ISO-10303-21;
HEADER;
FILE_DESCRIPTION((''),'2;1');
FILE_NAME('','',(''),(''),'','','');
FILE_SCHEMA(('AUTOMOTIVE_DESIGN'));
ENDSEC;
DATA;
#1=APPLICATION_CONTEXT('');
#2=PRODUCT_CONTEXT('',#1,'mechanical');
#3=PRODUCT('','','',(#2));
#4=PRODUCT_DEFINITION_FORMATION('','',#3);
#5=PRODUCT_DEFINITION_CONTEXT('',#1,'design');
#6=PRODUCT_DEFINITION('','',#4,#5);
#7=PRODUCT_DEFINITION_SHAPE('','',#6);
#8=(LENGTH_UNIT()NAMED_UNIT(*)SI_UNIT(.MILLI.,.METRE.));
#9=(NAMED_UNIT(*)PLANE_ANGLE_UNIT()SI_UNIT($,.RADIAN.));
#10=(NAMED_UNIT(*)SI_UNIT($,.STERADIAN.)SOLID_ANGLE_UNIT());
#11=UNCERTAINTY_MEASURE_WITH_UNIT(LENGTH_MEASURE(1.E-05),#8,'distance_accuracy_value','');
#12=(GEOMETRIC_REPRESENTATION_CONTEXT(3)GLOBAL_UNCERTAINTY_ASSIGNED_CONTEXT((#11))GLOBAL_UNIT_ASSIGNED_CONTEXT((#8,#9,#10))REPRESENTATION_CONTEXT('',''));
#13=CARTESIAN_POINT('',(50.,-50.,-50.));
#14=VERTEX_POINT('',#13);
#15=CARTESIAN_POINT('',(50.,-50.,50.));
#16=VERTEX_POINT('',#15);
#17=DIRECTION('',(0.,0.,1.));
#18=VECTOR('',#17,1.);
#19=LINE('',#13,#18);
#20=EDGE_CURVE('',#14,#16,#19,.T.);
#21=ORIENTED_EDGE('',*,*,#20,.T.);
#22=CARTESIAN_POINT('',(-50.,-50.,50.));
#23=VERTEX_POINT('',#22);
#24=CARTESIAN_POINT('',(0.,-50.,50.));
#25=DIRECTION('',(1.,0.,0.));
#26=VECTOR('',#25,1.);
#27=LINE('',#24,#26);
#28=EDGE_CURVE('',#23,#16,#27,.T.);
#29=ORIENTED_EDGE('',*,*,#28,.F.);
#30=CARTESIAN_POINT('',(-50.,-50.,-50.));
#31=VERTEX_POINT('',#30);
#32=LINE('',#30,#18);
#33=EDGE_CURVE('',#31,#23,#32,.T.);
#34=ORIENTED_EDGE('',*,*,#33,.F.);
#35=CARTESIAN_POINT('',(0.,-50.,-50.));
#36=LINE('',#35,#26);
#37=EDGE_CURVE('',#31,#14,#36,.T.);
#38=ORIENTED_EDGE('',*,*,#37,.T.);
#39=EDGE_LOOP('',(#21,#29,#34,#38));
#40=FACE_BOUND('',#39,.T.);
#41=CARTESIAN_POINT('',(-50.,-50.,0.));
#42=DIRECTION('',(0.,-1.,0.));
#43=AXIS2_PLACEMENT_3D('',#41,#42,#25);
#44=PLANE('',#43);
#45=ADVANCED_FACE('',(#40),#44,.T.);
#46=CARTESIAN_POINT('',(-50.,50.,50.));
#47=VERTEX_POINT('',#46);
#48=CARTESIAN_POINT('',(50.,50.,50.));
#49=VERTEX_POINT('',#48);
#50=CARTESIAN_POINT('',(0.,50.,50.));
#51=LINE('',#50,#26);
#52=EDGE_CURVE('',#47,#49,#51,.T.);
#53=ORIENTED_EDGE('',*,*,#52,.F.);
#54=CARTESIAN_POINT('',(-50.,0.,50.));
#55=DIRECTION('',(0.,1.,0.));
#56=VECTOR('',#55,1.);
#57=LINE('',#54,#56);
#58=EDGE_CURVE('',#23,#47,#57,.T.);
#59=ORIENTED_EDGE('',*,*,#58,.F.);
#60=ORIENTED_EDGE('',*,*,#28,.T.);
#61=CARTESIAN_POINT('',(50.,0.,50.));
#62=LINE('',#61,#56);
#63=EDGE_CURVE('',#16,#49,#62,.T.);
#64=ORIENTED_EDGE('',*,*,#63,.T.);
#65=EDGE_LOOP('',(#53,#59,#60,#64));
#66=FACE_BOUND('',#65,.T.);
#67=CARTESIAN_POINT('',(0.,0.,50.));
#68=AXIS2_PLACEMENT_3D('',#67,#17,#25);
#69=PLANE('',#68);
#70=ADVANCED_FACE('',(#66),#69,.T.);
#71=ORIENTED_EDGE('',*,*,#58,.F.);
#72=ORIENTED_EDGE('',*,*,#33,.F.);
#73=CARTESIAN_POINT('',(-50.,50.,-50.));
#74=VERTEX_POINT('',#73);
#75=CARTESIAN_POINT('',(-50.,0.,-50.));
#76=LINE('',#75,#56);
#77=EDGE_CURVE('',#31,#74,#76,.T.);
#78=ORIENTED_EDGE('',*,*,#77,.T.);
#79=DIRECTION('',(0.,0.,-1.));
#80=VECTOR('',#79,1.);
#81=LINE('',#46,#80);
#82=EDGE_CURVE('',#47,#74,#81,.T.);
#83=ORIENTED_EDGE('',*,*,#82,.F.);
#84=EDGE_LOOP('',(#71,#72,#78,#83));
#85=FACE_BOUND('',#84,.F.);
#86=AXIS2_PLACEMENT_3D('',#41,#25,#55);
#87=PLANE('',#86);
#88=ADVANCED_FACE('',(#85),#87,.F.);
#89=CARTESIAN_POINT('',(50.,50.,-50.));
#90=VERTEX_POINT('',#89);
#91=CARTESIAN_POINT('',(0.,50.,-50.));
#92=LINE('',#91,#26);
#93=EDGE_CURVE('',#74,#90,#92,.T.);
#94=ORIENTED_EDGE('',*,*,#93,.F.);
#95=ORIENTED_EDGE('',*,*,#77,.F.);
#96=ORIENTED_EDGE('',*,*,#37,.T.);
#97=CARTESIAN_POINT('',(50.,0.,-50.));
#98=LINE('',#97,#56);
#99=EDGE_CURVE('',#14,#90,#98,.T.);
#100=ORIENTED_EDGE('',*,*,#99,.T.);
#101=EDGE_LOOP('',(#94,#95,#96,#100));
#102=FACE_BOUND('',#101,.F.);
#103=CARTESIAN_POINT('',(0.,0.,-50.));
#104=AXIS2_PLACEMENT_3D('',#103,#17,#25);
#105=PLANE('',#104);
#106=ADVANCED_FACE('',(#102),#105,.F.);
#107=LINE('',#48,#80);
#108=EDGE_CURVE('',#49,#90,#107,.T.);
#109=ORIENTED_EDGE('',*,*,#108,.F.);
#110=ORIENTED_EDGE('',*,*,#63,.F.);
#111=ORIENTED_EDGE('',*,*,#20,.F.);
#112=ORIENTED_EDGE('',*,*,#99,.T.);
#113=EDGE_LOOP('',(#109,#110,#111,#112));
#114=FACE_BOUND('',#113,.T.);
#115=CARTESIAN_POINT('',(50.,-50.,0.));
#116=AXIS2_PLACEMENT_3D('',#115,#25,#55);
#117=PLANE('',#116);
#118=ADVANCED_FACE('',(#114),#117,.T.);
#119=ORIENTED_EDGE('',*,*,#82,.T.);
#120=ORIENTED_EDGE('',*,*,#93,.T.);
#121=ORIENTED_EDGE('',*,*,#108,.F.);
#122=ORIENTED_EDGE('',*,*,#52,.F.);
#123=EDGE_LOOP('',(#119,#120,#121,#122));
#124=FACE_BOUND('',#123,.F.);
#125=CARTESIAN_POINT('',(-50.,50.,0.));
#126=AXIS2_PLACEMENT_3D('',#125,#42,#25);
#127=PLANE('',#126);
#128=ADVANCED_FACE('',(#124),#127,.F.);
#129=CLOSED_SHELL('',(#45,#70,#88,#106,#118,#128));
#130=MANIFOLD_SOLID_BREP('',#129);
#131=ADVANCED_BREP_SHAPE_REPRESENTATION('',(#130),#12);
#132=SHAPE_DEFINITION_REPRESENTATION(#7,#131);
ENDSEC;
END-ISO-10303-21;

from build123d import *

# Parameters (mm, degrees)
SKETCH_1_W      = 100
SKETCH_1_H      = 100
EXTRUDE_1_DEPTH = 50


with BuildPart() as part:
    # 草图1 → 凸台-拉伸1 (new body, symmetric)
    with BuildSketch(Plane.XY):
        Rectangle(SKETCH_1_W, SKETCH_1_H)
    extrude(amount=EXTRUDE_1_DEPTH, both=True)


solid = part.part
